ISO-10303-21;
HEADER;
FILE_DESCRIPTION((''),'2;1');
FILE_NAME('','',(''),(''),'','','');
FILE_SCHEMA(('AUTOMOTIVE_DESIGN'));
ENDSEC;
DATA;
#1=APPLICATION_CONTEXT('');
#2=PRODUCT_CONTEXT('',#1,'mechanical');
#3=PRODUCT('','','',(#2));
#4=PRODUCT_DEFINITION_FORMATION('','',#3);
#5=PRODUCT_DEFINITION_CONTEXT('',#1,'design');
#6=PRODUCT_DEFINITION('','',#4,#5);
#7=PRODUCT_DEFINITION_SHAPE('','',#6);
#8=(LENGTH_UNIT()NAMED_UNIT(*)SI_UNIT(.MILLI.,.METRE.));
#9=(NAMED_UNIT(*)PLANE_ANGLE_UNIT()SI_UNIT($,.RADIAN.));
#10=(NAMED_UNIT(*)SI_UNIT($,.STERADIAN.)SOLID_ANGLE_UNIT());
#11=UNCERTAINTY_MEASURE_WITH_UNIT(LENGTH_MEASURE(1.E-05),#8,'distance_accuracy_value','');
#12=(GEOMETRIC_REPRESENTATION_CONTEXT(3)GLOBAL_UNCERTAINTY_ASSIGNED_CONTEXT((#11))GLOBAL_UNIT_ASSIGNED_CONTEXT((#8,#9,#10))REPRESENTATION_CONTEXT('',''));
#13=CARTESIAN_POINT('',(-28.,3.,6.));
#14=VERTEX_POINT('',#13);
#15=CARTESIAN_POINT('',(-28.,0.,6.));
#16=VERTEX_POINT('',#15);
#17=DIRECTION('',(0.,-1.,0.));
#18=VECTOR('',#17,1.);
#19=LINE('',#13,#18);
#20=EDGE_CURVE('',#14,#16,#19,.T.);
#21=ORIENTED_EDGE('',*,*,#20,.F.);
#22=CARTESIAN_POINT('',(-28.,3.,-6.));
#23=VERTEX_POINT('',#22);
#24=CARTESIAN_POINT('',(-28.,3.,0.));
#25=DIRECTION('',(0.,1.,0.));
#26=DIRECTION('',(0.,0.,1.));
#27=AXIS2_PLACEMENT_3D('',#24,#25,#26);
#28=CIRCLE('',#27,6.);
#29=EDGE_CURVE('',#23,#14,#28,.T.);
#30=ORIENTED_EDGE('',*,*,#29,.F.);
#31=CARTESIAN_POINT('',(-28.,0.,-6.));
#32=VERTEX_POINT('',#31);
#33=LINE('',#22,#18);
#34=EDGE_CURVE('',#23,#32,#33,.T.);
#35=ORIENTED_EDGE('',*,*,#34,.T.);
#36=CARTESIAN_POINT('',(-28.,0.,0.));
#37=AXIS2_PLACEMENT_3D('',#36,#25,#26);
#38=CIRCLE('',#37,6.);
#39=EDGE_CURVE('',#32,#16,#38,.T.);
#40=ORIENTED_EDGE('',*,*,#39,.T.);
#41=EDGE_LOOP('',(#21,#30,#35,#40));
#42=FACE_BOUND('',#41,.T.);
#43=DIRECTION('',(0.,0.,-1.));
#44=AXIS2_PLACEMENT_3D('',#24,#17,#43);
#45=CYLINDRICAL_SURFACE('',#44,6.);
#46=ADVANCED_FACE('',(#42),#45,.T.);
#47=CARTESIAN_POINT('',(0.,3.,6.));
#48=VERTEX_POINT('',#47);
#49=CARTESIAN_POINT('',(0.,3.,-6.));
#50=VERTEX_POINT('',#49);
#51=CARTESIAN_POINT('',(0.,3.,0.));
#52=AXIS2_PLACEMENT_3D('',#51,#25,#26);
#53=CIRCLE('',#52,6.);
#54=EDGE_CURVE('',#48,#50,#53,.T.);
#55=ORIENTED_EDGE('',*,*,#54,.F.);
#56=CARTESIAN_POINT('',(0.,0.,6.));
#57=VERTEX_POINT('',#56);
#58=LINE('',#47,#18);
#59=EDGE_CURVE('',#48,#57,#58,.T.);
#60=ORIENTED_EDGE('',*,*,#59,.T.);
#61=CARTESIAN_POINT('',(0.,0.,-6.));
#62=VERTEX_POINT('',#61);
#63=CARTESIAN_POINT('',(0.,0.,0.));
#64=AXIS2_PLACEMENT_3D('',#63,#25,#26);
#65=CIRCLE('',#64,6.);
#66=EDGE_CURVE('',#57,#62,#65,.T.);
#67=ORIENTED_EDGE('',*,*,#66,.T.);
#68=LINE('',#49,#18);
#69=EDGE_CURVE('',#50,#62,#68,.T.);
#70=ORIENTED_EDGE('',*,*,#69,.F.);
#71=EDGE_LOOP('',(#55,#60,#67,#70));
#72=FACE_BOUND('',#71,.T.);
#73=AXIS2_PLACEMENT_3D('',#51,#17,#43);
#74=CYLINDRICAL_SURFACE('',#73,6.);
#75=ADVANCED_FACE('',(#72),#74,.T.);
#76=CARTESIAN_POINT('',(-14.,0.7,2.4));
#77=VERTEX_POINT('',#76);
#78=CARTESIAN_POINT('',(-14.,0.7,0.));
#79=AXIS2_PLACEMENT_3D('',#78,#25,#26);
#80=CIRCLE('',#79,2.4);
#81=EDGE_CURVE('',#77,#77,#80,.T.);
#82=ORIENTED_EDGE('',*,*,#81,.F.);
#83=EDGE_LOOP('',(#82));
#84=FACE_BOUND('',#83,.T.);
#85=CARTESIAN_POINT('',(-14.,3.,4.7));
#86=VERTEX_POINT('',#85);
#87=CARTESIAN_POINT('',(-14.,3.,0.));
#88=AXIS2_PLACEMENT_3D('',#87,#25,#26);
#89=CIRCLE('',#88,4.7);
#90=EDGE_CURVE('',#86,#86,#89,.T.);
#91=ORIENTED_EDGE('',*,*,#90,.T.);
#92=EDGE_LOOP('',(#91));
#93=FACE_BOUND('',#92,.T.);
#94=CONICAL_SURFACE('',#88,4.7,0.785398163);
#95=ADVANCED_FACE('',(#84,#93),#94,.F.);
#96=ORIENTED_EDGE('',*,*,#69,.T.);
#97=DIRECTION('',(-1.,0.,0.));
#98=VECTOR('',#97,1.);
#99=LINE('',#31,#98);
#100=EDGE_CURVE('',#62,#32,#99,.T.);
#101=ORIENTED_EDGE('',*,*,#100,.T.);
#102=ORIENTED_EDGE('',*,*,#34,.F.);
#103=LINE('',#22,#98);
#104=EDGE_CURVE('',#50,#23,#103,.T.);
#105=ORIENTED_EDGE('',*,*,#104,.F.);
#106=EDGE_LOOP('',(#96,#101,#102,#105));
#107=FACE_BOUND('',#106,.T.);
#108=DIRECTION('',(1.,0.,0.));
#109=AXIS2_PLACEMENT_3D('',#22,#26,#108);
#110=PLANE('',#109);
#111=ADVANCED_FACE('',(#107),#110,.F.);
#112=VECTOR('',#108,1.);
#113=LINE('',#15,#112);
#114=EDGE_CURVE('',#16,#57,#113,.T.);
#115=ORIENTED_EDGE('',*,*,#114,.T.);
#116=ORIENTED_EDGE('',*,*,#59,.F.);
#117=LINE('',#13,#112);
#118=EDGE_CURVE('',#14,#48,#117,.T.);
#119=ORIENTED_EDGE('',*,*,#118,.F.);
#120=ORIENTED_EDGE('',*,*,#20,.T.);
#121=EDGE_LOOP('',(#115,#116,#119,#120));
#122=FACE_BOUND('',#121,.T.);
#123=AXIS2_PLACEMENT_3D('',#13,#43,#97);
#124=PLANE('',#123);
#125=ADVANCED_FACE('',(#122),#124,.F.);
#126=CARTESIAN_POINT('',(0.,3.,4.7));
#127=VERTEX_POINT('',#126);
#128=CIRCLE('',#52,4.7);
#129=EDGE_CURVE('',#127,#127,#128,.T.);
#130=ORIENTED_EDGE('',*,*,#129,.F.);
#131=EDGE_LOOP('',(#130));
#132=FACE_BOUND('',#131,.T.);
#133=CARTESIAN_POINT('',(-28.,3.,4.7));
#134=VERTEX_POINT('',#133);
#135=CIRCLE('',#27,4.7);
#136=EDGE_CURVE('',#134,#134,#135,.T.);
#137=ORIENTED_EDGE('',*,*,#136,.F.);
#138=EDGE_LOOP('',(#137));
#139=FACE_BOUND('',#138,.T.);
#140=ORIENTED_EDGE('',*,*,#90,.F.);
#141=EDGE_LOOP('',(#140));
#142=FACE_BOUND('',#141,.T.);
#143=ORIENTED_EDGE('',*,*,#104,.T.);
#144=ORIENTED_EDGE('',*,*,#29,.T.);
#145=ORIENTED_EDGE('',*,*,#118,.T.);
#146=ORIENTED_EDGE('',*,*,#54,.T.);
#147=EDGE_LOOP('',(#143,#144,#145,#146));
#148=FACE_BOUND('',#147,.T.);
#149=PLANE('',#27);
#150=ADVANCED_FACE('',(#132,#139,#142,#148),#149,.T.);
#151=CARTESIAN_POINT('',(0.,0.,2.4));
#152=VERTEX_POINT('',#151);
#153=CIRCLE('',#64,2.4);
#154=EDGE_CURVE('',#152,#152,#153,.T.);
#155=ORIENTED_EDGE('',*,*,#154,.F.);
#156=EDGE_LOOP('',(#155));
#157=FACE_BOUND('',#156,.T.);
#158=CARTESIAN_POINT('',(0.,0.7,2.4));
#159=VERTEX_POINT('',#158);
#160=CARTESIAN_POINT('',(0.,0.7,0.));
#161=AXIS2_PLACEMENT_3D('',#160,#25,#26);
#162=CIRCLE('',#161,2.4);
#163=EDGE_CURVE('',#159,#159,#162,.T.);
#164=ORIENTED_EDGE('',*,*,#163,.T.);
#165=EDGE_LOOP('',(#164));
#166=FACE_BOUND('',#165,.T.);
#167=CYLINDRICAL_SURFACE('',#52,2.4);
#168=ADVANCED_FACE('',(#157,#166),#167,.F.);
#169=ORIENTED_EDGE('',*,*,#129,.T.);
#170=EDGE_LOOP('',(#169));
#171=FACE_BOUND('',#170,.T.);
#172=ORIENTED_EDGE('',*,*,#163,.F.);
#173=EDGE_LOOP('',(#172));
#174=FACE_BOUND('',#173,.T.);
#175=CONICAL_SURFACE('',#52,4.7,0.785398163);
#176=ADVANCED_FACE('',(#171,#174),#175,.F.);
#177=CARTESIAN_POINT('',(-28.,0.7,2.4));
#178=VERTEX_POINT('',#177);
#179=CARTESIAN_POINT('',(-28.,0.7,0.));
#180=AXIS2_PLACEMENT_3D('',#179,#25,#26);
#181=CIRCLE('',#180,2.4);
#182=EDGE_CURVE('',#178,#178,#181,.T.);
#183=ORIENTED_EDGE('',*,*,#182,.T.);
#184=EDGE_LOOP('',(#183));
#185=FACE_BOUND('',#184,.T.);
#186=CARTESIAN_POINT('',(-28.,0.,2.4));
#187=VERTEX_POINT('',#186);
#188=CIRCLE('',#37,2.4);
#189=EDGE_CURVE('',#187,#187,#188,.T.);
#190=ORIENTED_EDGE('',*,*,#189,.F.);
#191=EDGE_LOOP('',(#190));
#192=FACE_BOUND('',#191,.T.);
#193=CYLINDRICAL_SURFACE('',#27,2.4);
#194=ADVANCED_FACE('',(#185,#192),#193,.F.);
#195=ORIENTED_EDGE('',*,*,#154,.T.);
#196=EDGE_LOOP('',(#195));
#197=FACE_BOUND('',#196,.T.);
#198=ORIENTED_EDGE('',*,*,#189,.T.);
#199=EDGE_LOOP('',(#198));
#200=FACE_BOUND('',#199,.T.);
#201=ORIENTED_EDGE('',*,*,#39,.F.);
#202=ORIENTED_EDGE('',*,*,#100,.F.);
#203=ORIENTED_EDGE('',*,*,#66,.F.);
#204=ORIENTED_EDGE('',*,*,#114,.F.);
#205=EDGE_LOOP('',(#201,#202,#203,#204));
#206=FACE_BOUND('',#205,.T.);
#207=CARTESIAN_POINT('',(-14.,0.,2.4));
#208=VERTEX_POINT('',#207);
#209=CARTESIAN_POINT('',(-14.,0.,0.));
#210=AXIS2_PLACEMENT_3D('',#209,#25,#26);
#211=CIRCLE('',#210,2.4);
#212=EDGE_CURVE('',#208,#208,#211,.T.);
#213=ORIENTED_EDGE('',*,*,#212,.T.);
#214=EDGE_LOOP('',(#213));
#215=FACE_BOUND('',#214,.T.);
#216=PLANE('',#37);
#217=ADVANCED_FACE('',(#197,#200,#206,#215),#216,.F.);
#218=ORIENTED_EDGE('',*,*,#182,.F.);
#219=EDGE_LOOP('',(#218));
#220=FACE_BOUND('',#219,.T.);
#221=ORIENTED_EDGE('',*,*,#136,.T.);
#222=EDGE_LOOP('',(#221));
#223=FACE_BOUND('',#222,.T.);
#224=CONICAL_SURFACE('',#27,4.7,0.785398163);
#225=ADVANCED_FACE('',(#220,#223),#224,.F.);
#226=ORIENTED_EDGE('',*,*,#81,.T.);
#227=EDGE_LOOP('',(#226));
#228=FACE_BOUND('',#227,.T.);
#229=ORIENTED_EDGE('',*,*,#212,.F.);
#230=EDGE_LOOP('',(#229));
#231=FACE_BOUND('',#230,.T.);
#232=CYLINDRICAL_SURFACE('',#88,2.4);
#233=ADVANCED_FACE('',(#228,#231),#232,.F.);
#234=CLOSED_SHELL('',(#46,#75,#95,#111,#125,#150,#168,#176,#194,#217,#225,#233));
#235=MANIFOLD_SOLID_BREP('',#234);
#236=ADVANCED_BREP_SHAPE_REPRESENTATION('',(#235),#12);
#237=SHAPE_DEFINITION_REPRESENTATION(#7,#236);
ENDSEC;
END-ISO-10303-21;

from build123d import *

# Parameters (mm, degrees)
SKETCH1_R                                       = 2
BOSS_EXTRUDE2_DEPTH                             = 3
CSK_FOR_M4_FLAT_HEAD_MACHINE_SCREW1_D           = 4.8
CSK_FOR_M4_FLAT_HEAD_MACHINE_SCREW1_DEPTH       = 22.23
CSK_FOR_M4_FLAT_HEAD_MACHINE_SCREW1_CSINK_D     = 9.4
CSK_FOR_M4_FLAT_HEAD_MACHINE_SCREW1_CSINK_ANGLE = 90
CSK_FOR_M4_FLAT_HEAD_MACHINE_SCREW1_TIP         = 1.442065486
CSK_FOR_M4_FLAT_HEAD_MACHINE_SCREW2_D           = 4.8
CSK_FOR_M4_FLAT_HEAD_MACHINE_SCREW2_DEPTH       = 22.23
CSK_FOR_M4_FLAT_HEAD_MACHINE_SCREW2_CSINK_D     = 9.4
CSK_FOR_M4_FLAT_HEAD_MACHINE_SCREW2_CSINK_ANGLE = 90
CSK_FOR_M4_FLAT_HEAD_MACHINE_SCREW2_TIP         = 1.442065486


with BuildPart() as part:
    # Sketch1 → Boss-Extrude2 (new body)
    with BuildSketch(Plane(origin=(0, 0, 0), x_dir=(1, 0, 0), z_dir=(0, 1, 0))):
        with BuildLine():
            Line((-28, 6), (0, 6))
            ThreePointArc((0, 6), (6, 0), (0, -6))
            Line((0, -6), (-28, -6))
            ThreePointArc((-28, -6), (-34, 0), (-28, 6))
        make_face()
        with Locations((-28, 0)):
            Circle(SKETCH1_R, mode=Mode.SUBTRACT)
        with Locations((-14, 0)):
            Circle(SKETCH1_R, mode=Mode.SUBTRACT)
        Circle(SKETCH1_R, mode=Mode.SUBTRACT)
    extrude(amount=BOSS_EXTRUDE2_DEPTH)

    # CSK for M4 Flat Head Machine Screw1
    with Locations(Plane(origin=(0, 3, 0), x_dir=(1, 0, 0), z_dir=(0, 1, 0))):
        with Locations((-14, 0)):
            CounterSinkHole(CSK_FOR_M4_FLAT_HEAD_MACHINE_SCREW1_D / 2, CSK_FOR_M4_FLAT_HEAD_MACHINE_SCREW1_CSINK_D / 2, depth=CSK_FOR_M4_FLAT_HEAD_MACHINE_SCREW1_DEPTH, counter_sink_angle=CSK_FOR_M4_FLAT_HEAD_MACHINE_SCREW1_CSINK_ANGLE)
            with Locations((0, 0, -(CSK_FOR_M4_FLAT_HEAD_MACHINE_SCREW1_DEPTH + CSK_FOR_M4_FLAT_HEAD_MACHINE_SCREW1_TIP / 2))):  # 118° drill point
                Cone(0, CSK_FOR_M4_FLAT_HEAD_MACHINE_SCREW1_D / 2, CSK_FOR_M4_FLAT_HEAD_MACHINE_SCREW1_TIP, mode=Mode.SUBTRACT)

    # CSK for M4 Flat Head Machine Screw2
    with Locations(Plane(origin=(0, 3, 0), x_dir=(1, 0, 0), z_dir=(0, 1, 0))):
        with Locations((-28, 0), (0, 0)):
            CounterSinkHole(CSK_FOR_M4_FLAT_HEAD_MACHINE_SCREW2_D / 2, CSK_FOR_M4_FLAT_HEAD_MACHINE_SCREW2_CSINK_D / 2, depth=CSK_FOR_M4_FLAT_HEAD_MACHINE_SCREW2_DEPTH, counter_sink_angle=CSK_FOR_M4_FLAT_HEAD_MACHINE_SCREW2_CSINK_ANGLE)
            with Locations((0, 0, -(CSK_FOR_M4_FLAT_HEAD_MACHINE_SCREW2_DEPTH + CSK_FOR_M4_FLAT_HEAD_MACHINE_SCREW2_TIP / 2))):  # 118° drill point
                Cone(0, CSK_FOR_M4_FLAT_HEAD_MACHINE_SCREW2_D / 2, CSK_FOR_M4_FLAT_HEAD_MACHINE_SCREW2_TIP, mode=Mode.SUBTRACT)


solid = part.part
